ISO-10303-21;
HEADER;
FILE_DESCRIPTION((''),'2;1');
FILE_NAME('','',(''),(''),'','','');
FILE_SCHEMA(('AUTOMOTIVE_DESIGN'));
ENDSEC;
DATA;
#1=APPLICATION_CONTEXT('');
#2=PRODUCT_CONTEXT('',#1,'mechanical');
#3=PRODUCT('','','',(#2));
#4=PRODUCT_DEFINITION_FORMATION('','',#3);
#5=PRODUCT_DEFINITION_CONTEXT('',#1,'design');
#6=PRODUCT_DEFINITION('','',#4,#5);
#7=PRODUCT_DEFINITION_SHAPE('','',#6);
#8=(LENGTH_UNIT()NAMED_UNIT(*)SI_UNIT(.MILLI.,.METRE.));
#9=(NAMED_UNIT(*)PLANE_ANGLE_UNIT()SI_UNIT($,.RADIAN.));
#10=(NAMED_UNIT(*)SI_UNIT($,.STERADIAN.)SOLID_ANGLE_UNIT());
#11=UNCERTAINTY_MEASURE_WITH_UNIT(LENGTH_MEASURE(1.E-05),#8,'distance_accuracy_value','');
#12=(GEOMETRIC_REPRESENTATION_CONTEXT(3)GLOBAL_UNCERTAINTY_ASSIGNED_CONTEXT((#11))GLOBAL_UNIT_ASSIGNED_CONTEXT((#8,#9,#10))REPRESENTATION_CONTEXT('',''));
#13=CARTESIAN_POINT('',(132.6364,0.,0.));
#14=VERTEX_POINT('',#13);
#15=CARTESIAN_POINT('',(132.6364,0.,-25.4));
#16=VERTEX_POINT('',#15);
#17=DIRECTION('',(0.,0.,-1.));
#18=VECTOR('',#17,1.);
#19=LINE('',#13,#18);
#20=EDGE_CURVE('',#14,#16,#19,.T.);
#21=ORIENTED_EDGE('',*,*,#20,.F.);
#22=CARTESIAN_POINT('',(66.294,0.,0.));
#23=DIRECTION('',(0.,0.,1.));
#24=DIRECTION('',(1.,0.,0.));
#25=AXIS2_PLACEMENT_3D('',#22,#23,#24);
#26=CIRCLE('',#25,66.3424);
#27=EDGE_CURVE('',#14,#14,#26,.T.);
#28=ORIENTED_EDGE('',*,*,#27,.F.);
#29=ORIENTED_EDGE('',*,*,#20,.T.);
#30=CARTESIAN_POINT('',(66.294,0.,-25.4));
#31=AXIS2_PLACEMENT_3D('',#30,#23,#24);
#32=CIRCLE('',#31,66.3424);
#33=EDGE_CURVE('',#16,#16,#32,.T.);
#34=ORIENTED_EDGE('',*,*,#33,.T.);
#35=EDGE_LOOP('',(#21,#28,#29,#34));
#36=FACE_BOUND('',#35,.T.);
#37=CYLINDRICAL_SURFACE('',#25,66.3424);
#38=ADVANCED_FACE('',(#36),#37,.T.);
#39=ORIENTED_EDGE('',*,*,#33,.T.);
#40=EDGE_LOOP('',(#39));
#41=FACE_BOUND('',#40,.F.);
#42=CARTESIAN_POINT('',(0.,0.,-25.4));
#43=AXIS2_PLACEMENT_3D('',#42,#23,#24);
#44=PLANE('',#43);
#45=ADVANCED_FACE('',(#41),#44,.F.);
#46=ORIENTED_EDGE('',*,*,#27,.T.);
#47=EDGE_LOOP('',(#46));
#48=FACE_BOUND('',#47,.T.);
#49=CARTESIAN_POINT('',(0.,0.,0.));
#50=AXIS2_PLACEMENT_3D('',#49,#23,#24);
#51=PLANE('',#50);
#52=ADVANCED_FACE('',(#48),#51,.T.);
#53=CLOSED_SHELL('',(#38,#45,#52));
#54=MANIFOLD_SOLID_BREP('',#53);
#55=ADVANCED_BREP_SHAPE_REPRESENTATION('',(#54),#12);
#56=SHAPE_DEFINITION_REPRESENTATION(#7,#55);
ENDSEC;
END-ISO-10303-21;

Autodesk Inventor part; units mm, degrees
ref_plane "YZ Plane" through (0, 0, 0) normal (1, 0, 0) x (0, 1, 0)
ref_plane "XZ Plane" through (0, 0, 0) normal (0, 1, 0) x (-1, 0, 0)
sketch "Sketch1" plane through (0, 0, 0) normal (0, 0, 1) x (1, 0, 0)
  circle A0 centre (66.294, 0) radius 66.3424 projected
  point P0 (0, 0)
ref_plane "Work Plane1" through (-7.8739, -74.1679, -25.4) normal (0, 0, -1) x (0, 1, 0)
extrude "Extrusion1" add sketch "Sketch1" against normal up to surface (25.4 mm away)
properties part number "WheelMod6"
